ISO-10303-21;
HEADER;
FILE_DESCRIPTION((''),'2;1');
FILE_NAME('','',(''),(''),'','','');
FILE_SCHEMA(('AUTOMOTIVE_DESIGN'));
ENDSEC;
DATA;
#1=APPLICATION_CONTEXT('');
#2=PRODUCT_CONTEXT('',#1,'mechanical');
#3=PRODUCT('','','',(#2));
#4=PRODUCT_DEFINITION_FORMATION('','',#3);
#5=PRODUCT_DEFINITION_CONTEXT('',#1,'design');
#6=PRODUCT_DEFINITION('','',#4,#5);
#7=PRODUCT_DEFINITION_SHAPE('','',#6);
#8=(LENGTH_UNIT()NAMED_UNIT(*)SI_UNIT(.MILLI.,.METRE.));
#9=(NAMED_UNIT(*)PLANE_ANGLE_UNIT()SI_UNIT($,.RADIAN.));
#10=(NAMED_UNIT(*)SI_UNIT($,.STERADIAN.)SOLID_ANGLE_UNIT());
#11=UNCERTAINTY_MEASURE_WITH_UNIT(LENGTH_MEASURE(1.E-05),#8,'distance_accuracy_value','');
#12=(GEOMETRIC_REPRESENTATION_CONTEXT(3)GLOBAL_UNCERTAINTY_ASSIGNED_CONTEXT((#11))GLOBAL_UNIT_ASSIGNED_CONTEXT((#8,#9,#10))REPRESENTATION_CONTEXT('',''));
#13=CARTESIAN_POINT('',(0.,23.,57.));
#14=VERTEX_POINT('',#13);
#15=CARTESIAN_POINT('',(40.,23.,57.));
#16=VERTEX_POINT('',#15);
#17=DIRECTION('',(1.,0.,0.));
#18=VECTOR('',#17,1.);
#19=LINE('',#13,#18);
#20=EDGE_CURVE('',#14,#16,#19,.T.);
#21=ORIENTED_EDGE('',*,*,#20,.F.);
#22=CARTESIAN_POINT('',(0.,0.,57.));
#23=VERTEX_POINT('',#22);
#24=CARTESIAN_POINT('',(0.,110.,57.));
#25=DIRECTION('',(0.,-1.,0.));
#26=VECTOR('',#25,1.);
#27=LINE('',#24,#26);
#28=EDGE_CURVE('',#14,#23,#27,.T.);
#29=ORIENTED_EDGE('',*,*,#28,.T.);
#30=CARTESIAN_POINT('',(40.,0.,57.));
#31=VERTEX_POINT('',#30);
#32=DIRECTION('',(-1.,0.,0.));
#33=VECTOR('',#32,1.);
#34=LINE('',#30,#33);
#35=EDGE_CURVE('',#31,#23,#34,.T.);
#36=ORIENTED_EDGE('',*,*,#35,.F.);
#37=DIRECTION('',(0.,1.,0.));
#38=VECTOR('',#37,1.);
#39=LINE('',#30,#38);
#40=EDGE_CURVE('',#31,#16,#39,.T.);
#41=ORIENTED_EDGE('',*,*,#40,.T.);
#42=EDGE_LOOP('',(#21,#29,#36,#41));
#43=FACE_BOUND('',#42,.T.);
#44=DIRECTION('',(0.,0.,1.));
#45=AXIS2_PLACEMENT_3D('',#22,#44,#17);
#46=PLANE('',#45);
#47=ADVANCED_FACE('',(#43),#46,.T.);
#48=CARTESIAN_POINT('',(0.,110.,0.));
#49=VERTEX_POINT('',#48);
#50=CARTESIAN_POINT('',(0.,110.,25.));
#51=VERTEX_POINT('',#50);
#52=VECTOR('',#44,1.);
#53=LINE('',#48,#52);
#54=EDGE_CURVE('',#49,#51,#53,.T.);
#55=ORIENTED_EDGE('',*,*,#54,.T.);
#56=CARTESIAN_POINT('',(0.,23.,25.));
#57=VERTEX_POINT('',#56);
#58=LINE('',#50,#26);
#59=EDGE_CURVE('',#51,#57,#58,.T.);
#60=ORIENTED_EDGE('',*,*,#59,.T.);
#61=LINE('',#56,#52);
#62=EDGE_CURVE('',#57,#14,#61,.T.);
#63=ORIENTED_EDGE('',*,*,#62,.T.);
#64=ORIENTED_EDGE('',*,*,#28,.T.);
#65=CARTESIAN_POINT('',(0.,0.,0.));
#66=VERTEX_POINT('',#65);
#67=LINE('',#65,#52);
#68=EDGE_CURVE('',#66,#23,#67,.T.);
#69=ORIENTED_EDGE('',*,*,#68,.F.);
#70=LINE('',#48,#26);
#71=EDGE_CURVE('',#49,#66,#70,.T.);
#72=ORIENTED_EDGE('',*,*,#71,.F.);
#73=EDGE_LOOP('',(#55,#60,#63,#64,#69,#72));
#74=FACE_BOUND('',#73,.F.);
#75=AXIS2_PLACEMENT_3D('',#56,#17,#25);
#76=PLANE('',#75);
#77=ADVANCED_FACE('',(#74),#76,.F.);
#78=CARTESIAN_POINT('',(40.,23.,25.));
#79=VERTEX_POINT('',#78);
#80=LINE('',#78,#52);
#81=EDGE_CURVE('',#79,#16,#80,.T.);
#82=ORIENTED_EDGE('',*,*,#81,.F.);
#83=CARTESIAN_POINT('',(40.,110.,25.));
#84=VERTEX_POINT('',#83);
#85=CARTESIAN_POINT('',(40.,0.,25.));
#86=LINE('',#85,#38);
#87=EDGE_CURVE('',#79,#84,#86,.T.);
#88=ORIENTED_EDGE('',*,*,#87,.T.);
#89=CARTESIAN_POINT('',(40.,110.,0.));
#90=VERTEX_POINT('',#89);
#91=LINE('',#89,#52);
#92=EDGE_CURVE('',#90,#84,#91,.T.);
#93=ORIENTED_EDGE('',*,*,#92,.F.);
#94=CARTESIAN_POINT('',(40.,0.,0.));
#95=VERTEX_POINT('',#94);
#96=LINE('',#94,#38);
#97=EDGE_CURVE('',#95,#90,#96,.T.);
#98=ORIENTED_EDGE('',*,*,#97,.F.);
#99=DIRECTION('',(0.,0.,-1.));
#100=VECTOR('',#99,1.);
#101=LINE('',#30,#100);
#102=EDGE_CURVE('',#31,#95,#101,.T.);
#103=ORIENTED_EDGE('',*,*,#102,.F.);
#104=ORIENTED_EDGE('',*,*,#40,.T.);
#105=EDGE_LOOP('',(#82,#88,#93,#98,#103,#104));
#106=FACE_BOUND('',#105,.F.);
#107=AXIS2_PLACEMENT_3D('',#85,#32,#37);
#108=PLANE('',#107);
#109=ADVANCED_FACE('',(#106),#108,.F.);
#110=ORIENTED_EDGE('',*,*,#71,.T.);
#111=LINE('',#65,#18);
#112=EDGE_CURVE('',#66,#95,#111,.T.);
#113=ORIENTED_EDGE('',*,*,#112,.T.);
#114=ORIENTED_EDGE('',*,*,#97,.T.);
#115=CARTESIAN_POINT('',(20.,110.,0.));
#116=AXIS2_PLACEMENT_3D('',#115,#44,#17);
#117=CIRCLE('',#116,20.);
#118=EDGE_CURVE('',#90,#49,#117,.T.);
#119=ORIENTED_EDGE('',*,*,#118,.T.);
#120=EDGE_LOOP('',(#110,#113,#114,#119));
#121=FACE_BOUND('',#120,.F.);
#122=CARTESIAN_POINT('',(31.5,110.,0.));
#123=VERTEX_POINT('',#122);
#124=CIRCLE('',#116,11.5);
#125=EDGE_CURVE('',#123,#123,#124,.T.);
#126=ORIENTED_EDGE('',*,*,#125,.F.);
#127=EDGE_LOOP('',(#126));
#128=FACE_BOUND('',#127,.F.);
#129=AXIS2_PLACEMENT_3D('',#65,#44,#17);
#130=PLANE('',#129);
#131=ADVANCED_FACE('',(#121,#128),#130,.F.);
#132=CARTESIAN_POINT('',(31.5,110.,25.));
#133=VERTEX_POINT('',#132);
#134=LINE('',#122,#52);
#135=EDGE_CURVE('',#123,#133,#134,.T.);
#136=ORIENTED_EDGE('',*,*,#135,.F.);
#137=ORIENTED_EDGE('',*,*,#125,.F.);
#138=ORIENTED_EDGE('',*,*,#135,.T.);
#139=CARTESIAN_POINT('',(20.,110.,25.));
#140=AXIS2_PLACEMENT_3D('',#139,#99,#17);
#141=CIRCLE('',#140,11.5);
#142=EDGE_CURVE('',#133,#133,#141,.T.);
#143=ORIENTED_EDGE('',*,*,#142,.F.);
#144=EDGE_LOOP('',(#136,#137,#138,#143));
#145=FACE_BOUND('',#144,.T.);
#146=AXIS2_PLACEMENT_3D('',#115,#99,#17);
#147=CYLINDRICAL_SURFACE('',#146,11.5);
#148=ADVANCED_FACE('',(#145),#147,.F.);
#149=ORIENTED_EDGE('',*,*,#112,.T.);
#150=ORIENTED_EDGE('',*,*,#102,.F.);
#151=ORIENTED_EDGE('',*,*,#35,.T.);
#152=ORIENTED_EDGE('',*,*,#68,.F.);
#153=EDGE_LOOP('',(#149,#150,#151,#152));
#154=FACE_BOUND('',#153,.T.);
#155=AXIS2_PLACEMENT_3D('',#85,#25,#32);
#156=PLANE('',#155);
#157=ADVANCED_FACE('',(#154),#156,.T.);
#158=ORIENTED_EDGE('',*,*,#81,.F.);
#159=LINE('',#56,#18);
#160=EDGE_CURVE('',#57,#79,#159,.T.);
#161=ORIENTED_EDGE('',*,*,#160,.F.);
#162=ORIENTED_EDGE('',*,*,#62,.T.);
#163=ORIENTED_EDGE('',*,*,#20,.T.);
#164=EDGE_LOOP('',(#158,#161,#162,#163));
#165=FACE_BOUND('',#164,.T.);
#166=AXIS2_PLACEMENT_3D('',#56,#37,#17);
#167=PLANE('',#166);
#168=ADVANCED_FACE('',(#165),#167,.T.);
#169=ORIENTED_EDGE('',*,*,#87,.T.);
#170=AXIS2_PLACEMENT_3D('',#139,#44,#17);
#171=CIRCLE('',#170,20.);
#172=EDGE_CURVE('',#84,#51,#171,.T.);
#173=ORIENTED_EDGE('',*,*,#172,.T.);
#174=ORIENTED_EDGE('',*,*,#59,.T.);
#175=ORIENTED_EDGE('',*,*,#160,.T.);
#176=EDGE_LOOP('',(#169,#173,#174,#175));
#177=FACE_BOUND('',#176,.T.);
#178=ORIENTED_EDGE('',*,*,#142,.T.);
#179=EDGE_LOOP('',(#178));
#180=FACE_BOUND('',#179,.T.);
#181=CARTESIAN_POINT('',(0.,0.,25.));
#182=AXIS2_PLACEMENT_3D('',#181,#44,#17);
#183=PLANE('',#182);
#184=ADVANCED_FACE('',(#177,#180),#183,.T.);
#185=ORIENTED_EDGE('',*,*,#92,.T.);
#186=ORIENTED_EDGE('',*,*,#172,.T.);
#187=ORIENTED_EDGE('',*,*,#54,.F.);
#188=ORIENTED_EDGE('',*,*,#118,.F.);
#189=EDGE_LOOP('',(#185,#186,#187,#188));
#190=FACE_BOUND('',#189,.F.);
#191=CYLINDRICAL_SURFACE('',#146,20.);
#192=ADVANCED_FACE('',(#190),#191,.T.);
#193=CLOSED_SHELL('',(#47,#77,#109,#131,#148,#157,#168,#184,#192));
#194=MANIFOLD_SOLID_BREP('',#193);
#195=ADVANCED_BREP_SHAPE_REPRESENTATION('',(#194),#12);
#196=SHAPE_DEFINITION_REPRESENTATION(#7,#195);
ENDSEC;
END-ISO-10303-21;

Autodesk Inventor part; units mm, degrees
ref_plane "YZ Plane" through (0, 0, 0) normal (1, 0, 0) x (0, 1, 0)
ref_plane "XZ Plane" through (0, 0, 0) normal (0, 1, 0) x (-1, 0, 0)
ref_plane "XY Plane" through (0, 0, 0) normal (0, 0, 1) x (1, 0, 0)
sketch "Szkic1" plane through (0, 0, 0) normal (0, 0, 1) x (1, 0, 0)
  line L0 (0, 0) -> (40, 0)
  line L1 (40, 0) -> (40, 110)
  line L2 (40, 110) -> (0, 110)
  line L3 (0, 110) -> (0, 0)
  circle A0 centre (20, 110) radius 11.5
  circle A1 centre (20, 110) radius 20
  dimension "d0" = 40
  dimension "d1" = 110
  dimension "d2" = 23
extrude "Wyciągnięcie proste1" add sketch "Szkic1" along normal blind 25 contours L3 A1 L1 L0 | A1 L2 A0 | L2 A0 A1
sketch "Szkic2" plane through (0, 0, 25) normal (0, 0, 1) x (1, 0, 0)
  line L0 (0, 110) -> (0, 0) projected
  line L1 (0, 0) -> (0, 23)
  line L2 (0, 23) -> (40, 23)
  line L3 (40, 0) -> (40, 110) projected
  line L4 (40, 23) -> (40, 0)
  line L5 (40, 0) -> (0, 0)
  dimension "d5" = 23
  dimension "d6" = 40
extrude "Wyciągnięcie proste2" add sketch "Szkic2" along normal blind 32
properties part number "Podstawa"
